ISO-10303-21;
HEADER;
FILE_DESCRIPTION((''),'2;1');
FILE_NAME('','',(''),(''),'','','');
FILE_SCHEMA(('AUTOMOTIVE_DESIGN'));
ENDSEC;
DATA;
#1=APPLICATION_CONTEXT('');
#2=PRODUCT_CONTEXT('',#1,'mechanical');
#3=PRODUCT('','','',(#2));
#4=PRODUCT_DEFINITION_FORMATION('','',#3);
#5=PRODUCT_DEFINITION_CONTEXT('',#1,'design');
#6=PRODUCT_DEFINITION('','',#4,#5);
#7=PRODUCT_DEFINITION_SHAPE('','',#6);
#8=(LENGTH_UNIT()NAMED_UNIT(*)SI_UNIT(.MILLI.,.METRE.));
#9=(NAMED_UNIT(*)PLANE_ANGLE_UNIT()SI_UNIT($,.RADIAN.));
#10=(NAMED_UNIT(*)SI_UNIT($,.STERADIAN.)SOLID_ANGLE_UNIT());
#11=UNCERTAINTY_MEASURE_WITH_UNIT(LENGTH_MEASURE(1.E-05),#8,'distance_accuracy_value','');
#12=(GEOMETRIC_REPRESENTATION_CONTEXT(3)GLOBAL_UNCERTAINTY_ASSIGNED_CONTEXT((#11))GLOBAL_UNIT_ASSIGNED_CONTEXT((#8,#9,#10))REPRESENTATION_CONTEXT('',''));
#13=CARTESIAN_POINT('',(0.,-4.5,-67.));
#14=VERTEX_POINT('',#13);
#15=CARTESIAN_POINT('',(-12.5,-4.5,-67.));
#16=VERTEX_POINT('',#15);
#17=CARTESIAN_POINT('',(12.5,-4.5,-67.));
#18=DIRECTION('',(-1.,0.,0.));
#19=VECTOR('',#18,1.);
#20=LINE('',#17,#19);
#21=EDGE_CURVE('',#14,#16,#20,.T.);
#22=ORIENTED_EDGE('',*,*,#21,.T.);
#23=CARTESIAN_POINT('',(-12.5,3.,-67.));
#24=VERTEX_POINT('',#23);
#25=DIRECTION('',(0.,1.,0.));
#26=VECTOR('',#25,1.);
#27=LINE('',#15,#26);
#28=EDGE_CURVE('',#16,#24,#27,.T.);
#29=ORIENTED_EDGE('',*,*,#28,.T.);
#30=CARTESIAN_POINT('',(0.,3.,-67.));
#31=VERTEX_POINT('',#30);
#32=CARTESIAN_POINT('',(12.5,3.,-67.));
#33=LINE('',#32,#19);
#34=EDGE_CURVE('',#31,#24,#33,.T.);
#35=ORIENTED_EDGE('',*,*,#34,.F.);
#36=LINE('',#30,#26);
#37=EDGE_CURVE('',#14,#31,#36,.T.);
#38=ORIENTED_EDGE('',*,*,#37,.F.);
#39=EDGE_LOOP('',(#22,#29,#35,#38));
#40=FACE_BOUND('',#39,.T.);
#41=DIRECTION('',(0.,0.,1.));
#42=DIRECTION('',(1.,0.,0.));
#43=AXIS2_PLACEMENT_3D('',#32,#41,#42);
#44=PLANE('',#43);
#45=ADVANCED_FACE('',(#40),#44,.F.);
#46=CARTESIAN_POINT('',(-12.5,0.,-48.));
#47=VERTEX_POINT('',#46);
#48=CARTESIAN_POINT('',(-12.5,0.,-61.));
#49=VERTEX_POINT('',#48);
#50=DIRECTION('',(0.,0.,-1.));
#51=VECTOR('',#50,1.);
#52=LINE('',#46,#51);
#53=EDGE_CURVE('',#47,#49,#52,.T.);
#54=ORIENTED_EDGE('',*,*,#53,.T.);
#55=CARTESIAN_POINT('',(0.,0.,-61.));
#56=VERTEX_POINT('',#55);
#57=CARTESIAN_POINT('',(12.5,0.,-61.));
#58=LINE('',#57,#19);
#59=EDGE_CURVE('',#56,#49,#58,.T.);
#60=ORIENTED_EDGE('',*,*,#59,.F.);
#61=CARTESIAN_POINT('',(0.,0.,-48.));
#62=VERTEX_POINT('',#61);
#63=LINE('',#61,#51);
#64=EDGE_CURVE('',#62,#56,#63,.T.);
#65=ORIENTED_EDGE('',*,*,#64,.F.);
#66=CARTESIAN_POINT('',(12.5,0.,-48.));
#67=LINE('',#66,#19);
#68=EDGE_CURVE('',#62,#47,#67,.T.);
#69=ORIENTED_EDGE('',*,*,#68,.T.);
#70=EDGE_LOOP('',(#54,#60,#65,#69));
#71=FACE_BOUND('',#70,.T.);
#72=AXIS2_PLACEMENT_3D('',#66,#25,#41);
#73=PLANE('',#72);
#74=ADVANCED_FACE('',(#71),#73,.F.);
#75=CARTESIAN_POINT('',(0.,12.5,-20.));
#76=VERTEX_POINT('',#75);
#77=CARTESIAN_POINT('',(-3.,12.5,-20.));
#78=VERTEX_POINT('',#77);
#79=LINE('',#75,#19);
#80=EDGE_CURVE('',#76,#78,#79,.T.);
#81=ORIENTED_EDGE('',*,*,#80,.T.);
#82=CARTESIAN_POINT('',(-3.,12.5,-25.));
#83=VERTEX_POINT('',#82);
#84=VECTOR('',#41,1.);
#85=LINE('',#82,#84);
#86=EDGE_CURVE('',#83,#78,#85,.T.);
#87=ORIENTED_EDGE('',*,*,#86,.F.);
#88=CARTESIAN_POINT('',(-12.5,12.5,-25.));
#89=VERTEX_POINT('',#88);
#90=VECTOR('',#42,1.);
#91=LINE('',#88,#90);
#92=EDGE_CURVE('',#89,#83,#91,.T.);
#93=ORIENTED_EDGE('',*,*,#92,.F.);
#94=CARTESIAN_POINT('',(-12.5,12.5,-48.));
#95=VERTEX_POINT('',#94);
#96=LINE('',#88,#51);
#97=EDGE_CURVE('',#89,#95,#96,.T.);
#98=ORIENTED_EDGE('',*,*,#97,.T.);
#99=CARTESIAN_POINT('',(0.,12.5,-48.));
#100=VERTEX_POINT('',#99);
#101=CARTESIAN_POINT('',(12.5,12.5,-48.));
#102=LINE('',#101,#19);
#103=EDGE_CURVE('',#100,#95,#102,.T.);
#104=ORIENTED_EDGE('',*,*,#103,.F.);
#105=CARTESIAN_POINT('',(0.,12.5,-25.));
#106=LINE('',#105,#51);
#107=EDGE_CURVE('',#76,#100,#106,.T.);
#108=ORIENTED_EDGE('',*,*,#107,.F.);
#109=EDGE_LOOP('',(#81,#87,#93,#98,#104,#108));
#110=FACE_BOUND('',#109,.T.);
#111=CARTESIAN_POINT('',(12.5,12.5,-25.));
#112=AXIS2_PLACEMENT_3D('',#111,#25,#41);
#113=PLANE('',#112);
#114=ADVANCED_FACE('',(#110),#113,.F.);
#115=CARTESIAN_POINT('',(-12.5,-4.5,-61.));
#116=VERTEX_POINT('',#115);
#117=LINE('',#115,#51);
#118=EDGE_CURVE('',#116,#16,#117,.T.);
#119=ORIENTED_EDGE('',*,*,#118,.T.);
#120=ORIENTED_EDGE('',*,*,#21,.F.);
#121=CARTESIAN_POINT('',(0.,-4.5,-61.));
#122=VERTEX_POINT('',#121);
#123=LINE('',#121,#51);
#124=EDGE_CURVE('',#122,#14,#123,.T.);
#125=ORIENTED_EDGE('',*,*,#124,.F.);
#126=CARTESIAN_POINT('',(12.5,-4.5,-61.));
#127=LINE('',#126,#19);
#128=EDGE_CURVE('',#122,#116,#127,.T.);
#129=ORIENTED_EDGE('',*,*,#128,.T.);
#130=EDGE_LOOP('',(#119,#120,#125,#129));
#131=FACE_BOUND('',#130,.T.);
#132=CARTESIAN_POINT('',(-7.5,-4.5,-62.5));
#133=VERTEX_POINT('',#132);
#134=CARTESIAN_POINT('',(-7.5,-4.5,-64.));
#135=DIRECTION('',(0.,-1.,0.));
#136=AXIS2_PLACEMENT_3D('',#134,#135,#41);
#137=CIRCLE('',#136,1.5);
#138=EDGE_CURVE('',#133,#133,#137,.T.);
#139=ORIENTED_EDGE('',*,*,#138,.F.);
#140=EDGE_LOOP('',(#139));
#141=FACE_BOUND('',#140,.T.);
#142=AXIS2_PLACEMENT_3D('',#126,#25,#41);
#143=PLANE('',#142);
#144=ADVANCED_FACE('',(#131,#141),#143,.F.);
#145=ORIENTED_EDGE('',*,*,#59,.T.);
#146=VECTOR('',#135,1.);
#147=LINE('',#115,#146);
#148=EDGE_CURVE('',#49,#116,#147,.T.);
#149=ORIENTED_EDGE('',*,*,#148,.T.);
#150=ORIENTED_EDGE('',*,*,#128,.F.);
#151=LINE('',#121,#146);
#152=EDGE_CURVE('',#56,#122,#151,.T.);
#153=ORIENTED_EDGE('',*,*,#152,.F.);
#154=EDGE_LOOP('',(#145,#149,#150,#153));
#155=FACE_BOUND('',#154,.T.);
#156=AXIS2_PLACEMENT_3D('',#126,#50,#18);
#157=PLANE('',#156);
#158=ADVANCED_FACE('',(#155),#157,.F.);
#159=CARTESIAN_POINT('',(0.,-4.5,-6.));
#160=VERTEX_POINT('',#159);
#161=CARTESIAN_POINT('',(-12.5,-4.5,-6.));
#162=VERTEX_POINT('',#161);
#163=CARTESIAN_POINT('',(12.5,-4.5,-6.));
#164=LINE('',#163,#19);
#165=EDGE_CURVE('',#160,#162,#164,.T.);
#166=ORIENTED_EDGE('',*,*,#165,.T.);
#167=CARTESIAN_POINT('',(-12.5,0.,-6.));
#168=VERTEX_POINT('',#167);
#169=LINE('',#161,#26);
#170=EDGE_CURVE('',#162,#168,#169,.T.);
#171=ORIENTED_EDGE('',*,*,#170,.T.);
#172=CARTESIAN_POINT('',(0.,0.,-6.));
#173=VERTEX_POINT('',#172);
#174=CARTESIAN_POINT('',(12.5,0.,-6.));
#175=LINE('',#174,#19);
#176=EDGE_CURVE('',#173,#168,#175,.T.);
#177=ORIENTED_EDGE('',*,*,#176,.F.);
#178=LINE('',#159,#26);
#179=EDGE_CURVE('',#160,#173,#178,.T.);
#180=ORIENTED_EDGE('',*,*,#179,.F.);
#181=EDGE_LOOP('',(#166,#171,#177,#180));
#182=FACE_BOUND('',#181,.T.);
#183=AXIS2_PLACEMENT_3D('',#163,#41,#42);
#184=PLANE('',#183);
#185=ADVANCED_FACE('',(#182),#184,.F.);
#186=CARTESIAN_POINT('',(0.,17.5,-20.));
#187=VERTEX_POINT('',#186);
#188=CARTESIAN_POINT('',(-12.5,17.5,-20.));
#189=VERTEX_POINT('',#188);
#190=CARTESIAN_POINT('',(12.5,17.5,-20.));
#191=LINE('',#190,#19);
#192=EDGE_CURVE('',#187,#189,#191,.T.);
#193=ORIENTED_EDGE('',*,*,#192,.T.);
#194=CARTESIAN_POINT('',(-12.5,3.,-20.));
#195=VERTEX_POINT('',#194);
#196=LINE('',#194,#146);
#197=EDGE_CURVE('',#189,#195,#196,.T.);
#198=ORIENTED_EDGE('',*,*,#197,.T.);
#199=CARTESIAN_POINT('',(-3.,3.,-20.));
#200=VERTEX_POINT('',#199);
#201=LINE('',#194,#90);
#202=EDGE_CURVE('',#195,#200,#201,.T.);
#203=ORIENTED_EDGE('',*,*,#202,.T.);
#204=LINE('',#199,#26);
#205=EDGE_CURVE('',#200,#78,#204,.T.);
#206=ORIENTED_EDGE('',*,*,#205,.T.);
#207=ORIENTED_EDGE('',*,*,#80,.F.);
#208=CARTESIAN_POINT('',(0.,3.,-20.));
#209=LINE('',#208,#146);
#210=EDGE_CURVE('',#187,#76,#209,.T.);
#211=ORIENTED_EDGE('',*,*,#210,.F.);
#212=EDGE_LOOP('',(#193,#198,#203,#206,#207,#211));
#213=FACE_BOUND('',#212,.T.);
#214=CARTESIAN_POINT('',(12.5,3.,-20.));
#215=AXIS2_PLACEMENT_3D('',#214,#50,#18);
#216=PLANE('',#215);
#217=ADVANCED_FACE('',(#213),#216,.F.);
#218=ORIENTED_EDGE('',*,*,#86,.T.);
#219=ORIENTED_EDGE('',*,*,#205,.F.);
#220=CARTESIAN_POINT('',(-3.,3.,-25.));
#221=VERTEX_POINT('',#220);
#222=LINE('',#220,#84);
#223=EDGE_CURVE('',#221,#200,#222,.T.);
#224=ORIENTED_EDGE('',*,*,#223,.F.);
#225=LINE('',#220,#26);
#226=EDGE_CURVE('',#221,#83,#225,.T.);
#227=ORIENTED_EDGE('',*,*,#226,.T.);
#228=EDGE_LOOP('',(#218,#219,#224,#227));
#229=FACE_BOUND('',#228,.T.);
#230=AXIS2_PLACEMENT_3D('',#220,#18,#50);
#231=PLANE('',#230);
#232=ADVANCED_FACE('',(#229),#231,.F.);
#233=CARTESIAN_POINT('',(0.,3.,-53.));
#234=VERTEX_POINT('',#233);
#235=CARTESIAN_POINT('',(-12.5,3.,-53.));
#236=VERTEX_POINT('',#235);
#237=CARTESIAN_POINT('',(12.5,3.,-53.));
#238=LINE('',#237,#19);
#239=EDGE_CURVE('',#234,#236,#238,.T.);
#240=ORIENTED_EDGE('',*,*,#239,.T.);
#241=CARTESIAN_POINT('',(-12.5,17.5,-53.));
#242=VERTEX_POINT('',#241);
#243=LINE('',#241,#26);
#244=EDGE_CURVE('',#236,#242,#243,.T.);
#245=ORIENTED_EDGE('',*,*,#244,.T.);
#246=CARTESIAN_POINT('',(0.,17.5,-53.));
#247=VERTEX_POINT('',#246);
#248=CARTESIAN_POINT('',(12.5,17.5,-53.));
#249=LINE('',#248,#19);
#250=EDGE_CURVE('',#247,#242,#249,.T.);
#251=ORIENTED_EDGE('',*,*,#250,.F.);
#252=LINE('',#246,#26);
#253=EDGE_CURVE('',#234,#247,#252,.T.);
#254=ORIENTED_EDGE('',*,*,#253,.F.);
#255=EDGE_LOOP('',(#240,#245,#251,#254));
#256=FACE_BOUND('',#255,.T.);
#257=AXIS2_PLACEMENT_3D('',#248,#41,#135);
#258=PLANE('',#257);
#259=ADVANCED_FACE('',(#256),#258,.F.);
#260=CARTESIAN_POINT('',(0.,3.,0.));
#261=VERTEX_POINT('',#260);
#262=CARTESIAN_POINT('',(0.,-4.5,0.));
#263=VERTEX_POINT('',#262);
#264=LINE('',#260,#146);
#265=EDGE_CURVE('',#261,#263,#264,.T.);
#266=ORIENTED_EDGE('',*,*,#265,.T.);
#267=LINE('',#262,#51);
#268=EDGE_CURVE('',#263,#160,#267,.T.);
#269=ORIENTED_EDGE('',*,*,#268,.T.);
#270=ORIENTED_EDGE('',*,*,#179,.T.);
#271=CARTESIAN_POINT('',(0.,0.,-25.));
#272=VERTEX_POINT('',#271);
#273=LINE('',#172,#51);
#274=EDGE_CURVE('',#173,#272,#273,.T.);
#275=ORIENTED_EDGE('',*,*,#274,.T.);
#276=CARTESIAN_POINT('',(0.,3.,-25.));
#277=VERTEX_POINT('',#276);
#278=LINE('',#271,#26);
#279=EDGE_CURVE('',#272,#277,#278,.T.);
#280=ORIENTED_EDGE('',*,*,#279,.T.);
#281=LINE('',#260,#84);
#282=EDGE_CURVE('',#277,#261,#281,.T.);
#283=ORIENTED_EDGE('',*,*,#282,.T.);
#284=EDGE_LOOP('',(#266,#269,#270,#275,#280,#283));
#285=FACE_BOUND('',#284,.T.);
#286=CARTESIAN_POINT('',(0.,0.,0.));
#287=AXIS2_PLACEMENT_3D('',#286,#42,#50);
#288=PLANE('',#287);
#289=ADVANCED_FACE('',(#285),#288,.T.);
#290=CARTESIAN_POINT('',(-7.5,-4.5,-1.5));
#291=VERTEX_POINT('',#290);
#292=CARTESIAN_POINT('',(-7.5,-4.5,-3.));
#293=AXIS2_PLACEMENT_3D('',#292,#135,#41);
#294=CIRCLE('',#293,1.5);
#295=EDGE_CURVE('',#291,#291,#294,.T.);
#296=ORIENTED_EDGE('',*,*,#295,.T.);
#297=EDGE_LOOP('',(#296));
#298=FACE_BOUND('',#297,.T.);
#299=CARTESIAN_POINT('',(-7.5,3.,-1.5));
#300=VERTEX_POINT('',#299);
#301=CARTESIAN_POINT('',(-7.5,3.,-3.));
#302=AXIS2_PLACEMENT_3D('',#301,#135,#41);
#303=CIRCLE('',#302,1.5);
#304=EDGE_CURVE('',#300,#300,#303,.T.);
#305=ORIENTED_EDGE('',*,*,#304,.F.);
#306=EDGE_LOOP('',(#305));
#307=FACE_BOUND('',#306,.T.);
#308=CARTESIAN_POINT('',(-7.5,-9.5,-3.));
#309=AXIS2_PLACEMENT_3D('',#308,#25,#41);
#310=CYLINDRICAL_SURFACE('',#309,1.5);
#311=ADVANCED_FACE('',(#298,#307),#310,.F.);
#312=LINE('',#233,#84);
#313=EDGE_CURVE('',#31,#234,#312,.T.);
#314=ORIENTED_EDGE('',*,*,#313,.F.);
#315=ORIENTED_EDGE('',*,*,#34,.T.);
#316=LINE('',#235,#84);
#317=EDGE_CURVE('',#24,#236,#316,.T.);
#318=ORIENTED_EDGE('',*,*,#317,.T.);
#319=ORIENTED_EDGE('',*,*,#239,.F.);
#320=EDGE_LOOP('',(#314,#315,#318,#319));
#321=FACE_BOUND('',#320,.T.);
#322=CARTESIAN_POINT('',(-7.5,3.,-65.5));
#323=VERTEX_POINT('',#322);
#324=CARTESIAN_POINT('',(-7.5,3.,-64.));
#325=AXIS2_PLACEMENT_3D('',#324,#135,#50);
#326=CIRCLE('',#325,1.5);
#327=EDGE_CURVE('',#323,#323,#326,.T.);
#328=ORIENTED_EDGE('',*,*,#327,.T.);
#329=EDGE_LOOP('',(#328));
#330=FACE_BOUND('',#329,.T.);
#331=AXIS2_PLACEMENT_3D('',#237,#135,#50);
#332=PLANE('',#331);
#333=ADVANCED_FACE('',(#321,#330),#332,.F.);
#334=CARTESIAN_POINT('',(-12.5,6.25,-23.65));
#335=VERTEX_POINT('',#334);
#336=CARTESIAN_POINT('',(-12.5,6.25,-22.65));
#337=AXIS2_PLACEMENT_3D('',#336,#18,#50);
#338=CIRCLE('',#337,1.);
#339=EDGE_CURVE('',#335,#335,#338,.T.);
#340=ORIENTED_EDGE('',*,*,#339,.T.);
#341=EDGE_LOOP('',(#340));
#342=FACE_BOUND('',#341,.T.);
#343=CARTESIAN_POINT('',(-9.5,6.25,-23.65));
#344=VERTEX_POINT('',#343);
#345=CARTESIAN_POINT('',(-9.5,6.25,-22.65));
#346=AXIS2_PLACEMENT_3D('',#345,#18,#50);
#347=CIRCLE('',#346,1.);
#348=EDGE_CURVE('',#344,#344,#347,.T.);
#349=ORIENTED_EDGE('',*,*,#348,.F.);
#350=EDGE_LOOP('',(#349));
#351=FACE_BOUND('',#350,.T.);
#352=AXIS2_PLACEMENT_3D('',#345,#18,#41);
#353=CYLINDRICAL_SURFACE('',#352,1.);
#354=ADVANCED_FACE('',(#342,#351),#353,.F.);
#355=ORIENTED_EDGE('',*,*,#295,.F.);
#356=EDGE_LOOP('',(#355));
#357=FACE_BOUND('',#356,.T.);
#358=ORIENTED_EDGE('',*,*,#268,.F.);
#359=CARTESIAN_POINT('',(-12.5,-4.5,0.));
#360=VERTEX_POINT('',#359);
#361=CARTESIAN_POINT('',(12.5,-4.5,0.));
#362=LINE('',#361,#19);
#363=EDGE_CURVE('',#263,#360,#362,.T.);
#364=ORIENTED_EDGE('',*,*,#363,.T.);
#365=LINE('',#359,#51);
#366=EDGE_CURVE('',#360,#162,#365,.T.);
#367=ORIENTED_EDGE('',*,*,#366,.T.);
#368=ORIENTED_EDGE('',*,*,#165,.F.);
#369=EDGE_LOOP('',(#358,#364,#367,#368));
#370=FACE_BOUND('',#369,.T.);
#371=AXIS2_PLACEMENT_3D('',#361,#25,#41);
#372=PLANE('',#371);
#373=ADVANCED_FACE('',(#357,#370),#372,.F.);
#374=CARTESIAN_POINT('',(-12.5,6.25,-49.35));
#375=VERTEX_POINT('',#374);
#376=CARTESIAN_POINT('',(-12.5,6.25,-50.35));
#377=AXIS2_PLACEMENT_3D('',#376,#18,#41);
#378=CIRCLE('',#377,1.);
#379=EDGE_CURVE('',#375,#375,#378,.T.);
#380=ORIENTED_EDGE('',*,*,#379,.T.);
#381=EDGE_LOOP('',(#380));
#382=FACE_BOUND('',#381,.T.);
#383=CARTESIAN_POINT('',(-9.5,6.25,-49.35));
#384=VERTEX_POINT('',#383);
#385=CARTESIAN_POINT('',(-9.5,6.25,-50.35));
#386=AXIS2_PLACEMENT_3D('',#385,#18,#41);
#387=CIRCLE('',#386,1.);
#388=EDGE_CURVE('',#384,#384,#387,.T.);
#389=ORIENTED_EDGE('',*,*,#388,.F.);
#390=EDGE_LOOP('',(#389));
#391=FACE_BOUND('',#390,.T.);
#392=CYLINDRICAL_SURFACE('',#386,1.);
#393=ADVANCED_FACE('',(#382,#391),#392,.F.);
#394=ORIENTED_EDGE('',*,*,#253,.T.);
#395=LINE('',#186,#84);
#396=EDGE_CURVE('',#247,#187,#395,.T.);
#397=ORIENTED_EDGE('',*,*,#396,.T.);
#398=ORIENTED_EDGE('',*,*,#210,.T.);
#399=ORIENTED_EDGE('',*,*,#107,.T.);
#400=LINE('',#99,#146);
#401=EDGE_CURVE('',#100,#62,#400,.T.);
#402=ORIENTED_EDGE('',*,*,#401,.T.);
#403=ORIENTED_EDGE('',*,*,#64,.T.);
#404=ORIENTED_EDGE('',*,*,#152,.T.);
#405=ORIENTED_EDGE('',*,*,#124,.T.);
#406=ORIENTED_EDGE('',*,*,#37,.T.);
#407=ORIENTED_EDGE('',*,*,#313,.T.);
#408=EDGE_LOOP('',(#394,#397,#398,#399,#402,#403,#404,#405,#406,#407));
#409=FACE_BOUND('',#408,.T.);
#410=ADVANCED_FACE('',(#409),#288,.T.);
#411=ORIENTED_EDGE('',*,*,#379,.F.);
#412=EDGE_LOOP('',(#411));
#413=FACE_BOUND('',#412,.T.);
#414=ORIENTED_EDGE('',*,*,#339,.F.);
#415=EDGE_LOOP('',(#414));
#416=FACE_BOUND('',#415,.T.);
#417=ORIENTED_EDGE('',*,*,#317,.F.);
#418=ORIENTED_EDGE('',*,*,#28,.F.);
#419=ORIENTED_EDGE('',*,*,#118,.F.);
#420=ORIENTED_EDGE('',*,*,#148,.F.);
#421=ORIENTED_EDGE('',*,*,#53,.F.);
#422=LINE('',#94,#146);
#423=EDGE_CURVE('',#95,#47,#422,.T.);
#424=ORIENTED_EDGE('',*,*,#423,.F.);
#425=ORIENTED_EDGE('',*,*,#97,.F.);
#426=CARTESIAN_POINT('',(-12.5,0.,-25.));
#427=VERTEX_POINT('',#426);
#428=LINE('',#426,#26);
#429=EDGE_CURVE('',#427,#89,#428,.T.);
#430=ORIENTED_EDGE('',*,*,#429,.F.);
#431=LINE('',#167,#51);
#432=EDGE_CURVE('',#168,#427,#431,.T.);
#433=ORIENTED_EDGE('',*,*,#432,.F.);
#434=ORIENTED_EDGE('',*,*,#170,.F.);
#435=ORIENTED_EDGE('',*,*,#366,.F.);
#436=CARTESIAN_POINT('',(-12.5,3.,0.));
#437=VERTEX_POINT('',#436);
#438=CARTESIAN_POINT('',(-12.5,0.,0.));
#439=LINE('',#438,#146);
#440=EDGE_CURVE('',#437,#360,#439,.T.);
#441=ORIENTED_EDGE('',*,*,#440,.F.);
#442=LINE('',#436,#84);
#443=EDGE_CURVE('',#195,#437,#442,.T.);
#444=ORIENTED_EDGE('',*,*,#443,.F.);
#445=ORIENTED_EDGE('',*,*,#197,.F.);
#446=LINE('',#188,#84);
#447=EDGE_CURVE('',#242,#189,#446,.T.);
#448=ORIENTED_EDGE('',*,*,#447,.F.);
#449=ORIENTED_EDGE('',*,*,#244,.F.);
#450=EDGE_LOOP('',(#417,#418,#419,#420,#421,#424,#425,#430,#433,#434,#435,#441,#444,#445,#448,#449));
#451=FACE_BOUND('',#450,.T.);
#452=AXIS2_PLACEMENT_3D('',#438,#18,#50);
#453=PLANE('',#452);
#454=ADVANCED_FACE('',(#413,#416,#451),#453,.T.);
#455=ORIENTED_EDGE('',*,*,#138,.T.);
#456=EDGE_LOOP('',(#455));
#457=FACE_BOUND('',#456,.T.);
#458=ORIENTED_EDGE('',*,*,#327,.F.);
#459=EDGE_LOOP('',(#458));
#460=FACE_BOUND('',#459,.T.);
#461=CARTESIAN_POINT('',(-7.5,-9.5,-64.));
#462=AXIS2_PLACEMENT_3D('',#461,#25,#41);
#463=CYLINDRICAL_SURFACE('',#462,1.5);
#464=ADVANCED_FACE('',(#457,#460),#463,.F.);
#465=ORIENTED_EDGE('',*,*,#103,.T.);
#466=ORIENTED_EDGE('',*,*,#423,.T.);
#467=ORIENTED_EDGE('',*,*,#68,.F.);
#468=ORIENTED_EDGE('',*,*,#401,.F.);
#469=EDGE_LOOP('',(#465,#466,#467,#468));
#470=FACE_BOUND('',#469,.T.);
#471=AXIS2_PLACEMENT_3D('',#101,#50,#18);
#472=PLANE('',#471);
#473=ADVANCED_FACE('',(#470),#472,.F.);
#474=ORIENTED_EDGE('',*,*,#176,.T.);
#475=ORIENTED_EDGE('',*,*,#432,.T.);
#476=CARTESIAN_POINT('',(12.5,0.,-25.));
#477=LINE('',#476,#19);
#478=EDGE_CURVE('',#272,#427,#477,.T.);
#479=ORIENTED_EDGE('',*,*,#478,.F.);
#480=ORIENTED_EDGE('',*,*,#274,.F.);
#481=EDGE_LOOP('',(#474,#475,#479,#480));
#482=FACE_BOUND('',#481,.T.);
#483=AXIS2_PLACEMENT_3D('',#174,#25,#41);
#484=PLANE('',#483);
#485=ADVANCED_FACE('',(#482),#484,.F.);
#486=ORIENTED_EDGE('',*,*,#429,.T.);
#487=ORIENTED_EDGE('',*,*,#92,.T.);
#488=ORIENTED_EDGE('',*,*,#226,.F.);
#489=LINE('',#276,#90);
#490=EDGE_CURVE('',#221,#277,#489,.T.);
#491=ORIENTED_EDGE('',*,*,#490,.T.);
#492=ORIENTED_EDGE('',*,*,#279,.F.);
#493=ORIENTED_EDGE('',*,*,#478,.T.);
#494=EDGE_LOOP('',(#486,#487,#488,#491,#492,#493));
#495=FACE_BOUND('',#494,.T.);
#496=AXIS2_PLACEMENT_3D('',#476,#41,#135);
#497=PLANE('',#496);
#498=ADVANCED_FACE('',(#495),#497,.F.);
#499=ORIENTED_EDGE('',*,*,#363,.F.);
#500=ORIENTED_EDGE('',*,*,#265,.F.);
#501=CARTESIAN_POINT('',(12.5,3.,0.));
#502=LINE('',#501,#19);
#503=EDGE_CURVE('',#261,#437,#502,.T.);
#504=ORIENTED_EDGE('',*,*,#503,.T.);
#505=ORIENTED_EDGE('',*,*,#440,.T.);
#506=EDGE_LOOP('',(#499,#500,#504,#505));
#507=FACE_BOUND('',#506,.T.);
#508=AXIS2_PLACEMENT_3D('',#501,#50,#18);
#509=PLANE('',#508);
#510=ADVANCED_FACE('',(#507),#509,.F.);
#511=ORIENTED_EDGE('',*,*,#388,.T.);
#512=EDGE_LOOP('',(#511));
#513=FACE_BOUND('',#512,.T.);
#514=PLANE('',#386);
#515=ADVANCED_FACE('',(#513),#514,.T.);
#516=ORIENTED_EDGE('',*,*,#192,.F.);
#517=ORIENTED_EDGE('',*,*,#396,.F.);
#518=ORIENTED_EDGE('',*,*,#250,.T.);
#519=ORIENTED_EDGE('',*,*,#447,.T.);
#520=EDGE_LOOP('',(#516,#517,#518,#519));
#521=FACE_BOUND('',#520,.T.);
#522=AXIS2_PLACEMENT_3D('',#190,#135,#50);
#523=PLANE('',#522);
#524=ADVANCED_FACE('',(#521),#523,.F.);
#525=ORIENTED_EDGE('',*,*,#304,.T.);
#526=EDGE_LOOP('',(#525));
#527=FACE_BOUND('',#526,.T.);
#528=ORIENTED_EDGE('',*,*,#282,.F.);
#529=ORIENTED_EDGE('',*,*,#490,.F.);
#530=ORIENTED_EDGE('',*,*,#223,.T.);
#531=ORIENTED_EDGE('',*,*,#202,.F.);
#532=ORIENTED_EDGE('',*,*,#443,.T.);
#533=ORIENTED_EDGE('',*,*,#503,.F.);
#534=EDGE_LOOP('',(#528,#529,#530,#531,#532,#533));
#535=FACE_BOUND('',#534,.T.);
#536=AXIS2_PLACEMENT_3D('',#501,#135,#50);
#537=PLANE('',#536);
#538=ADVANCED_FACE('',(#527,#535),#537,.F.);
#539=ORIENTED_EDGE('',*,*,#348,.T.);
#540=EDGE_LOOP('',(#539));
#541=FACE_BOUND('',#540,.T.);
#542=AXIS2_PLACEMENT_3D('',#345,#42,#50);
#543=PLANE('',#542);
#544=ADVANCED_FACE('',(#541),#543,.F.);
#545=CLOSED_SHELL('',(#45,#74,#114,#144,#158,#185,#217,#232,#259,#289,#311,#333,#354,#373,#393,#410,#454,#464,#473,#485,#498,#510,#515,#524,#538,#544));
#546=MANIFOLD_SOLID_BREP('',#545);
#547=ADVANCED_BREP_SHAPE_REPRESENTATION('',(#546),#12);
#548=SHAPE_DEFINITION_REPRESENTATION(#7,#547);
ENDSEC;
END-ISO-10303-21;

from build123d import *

# Parameters (mm, degrees)
BOSS_EXTRUDE1_DEPTH = 12.5
SKETCH3_R           = 1.5
CUT_EXTRUDE1_DEPTH  = 12.5
SKETCH4_W           = 3
SKETCH4_H           = 9.5
CUT_EXTRUDE2_DEPTH  = 5
SKETCH5_W           = 80.755036426
SKETCH5_H           = 34.070446291
CUT_EXTRUDE3_DEPTH  = 29.5
SKETCH6_R           = 1
CUT_EXTRUDE5_DEPTH  = 3


with BuildPart() as part:
    # Sketch2 → Boss-Extrude1 (new body)
    with BuildSketch(Plane(origin=(0, 0, 0), x_dir=(0, 0, -1), z_dir=(1, 0, 0))):
        Polygon((6, 0), (25, 0), (25, 12.5), (48, 12.5), (48, 0), (61, 0), (61, -4.5), (67, -4.5), (67, 0), (67, 3), (53, 3), (53, 17.5), (20, 17.5), (20, 3), (0, 3), (0, 0), (0, -4.5), (6, -4.5), align=None)
    extrude(amount=BOSS_EXTRUDE1_DEPTH)

    # Sketch3 → Cut-Extrude1 (cut)
    with BuildSketch(Plane(origin=(0, 3, 0), x_dir=(1, 0, 0), z_dir=(0, 1, 0))):
        with Locations((7.5, 3)):
            Circle(SKETCH3_R)
        with Locations((7.5, 64)):
            Circle(SKETCH3_R)
    extrude(amount=-CUT_EXTRUDE1_DEPTH, mode=Mode.SUBTRACT)

    # Sketch4 → Cut-Extrude2 (cut)
    with BuildSketch(Plane.XY.offset(-20)):
        with Locations((1.5, 7.75)):
            Rectangle(SKETCH4_W, SKETCH4_H)
    extrude(amount=-CUT_EXTRUDE2_DEPTH, mode=Mode.SUBTRACT)

    # Mirror1: part across plane


with BuildPart() as part_1:
    add(part.part)
    add(part.part.mirror(Plane(origin=(0, 0, 0), x_dir=(0, 0, 1), z_dir=(1, 0, 0))))

    # Sketch5 → Cut-Extrude3 (cut)
    with BuildSketch(Plane(origin=(0, 0, 0), x_dir=(0, 0, -1), z_dir=(1, 0, 0))):
        with Locations((38.216510399, 1.156786657)):
            Rectangle(SKETCH5_W, SKETCH5_H)
    extrude(amount=CUT_EXTRUDE3_DEPTH, mode=Mode.SUBTRACT)

    # Sketch6 → Cut-Extrude5 (cut)
    with BuildSketch(Plane.ZY.offset(12.5)):
        with Locations((-50.35, 6.25)):
            Circle(SKETCH6_R)
        with Locations((-22.65, 6.25)):
            Circle(SKETCH6_R)
    extrude(amount=-CUT_EXTRUDE5_DEPTH, mode=Mode.SUBTRACT)


solid = part_1.part
